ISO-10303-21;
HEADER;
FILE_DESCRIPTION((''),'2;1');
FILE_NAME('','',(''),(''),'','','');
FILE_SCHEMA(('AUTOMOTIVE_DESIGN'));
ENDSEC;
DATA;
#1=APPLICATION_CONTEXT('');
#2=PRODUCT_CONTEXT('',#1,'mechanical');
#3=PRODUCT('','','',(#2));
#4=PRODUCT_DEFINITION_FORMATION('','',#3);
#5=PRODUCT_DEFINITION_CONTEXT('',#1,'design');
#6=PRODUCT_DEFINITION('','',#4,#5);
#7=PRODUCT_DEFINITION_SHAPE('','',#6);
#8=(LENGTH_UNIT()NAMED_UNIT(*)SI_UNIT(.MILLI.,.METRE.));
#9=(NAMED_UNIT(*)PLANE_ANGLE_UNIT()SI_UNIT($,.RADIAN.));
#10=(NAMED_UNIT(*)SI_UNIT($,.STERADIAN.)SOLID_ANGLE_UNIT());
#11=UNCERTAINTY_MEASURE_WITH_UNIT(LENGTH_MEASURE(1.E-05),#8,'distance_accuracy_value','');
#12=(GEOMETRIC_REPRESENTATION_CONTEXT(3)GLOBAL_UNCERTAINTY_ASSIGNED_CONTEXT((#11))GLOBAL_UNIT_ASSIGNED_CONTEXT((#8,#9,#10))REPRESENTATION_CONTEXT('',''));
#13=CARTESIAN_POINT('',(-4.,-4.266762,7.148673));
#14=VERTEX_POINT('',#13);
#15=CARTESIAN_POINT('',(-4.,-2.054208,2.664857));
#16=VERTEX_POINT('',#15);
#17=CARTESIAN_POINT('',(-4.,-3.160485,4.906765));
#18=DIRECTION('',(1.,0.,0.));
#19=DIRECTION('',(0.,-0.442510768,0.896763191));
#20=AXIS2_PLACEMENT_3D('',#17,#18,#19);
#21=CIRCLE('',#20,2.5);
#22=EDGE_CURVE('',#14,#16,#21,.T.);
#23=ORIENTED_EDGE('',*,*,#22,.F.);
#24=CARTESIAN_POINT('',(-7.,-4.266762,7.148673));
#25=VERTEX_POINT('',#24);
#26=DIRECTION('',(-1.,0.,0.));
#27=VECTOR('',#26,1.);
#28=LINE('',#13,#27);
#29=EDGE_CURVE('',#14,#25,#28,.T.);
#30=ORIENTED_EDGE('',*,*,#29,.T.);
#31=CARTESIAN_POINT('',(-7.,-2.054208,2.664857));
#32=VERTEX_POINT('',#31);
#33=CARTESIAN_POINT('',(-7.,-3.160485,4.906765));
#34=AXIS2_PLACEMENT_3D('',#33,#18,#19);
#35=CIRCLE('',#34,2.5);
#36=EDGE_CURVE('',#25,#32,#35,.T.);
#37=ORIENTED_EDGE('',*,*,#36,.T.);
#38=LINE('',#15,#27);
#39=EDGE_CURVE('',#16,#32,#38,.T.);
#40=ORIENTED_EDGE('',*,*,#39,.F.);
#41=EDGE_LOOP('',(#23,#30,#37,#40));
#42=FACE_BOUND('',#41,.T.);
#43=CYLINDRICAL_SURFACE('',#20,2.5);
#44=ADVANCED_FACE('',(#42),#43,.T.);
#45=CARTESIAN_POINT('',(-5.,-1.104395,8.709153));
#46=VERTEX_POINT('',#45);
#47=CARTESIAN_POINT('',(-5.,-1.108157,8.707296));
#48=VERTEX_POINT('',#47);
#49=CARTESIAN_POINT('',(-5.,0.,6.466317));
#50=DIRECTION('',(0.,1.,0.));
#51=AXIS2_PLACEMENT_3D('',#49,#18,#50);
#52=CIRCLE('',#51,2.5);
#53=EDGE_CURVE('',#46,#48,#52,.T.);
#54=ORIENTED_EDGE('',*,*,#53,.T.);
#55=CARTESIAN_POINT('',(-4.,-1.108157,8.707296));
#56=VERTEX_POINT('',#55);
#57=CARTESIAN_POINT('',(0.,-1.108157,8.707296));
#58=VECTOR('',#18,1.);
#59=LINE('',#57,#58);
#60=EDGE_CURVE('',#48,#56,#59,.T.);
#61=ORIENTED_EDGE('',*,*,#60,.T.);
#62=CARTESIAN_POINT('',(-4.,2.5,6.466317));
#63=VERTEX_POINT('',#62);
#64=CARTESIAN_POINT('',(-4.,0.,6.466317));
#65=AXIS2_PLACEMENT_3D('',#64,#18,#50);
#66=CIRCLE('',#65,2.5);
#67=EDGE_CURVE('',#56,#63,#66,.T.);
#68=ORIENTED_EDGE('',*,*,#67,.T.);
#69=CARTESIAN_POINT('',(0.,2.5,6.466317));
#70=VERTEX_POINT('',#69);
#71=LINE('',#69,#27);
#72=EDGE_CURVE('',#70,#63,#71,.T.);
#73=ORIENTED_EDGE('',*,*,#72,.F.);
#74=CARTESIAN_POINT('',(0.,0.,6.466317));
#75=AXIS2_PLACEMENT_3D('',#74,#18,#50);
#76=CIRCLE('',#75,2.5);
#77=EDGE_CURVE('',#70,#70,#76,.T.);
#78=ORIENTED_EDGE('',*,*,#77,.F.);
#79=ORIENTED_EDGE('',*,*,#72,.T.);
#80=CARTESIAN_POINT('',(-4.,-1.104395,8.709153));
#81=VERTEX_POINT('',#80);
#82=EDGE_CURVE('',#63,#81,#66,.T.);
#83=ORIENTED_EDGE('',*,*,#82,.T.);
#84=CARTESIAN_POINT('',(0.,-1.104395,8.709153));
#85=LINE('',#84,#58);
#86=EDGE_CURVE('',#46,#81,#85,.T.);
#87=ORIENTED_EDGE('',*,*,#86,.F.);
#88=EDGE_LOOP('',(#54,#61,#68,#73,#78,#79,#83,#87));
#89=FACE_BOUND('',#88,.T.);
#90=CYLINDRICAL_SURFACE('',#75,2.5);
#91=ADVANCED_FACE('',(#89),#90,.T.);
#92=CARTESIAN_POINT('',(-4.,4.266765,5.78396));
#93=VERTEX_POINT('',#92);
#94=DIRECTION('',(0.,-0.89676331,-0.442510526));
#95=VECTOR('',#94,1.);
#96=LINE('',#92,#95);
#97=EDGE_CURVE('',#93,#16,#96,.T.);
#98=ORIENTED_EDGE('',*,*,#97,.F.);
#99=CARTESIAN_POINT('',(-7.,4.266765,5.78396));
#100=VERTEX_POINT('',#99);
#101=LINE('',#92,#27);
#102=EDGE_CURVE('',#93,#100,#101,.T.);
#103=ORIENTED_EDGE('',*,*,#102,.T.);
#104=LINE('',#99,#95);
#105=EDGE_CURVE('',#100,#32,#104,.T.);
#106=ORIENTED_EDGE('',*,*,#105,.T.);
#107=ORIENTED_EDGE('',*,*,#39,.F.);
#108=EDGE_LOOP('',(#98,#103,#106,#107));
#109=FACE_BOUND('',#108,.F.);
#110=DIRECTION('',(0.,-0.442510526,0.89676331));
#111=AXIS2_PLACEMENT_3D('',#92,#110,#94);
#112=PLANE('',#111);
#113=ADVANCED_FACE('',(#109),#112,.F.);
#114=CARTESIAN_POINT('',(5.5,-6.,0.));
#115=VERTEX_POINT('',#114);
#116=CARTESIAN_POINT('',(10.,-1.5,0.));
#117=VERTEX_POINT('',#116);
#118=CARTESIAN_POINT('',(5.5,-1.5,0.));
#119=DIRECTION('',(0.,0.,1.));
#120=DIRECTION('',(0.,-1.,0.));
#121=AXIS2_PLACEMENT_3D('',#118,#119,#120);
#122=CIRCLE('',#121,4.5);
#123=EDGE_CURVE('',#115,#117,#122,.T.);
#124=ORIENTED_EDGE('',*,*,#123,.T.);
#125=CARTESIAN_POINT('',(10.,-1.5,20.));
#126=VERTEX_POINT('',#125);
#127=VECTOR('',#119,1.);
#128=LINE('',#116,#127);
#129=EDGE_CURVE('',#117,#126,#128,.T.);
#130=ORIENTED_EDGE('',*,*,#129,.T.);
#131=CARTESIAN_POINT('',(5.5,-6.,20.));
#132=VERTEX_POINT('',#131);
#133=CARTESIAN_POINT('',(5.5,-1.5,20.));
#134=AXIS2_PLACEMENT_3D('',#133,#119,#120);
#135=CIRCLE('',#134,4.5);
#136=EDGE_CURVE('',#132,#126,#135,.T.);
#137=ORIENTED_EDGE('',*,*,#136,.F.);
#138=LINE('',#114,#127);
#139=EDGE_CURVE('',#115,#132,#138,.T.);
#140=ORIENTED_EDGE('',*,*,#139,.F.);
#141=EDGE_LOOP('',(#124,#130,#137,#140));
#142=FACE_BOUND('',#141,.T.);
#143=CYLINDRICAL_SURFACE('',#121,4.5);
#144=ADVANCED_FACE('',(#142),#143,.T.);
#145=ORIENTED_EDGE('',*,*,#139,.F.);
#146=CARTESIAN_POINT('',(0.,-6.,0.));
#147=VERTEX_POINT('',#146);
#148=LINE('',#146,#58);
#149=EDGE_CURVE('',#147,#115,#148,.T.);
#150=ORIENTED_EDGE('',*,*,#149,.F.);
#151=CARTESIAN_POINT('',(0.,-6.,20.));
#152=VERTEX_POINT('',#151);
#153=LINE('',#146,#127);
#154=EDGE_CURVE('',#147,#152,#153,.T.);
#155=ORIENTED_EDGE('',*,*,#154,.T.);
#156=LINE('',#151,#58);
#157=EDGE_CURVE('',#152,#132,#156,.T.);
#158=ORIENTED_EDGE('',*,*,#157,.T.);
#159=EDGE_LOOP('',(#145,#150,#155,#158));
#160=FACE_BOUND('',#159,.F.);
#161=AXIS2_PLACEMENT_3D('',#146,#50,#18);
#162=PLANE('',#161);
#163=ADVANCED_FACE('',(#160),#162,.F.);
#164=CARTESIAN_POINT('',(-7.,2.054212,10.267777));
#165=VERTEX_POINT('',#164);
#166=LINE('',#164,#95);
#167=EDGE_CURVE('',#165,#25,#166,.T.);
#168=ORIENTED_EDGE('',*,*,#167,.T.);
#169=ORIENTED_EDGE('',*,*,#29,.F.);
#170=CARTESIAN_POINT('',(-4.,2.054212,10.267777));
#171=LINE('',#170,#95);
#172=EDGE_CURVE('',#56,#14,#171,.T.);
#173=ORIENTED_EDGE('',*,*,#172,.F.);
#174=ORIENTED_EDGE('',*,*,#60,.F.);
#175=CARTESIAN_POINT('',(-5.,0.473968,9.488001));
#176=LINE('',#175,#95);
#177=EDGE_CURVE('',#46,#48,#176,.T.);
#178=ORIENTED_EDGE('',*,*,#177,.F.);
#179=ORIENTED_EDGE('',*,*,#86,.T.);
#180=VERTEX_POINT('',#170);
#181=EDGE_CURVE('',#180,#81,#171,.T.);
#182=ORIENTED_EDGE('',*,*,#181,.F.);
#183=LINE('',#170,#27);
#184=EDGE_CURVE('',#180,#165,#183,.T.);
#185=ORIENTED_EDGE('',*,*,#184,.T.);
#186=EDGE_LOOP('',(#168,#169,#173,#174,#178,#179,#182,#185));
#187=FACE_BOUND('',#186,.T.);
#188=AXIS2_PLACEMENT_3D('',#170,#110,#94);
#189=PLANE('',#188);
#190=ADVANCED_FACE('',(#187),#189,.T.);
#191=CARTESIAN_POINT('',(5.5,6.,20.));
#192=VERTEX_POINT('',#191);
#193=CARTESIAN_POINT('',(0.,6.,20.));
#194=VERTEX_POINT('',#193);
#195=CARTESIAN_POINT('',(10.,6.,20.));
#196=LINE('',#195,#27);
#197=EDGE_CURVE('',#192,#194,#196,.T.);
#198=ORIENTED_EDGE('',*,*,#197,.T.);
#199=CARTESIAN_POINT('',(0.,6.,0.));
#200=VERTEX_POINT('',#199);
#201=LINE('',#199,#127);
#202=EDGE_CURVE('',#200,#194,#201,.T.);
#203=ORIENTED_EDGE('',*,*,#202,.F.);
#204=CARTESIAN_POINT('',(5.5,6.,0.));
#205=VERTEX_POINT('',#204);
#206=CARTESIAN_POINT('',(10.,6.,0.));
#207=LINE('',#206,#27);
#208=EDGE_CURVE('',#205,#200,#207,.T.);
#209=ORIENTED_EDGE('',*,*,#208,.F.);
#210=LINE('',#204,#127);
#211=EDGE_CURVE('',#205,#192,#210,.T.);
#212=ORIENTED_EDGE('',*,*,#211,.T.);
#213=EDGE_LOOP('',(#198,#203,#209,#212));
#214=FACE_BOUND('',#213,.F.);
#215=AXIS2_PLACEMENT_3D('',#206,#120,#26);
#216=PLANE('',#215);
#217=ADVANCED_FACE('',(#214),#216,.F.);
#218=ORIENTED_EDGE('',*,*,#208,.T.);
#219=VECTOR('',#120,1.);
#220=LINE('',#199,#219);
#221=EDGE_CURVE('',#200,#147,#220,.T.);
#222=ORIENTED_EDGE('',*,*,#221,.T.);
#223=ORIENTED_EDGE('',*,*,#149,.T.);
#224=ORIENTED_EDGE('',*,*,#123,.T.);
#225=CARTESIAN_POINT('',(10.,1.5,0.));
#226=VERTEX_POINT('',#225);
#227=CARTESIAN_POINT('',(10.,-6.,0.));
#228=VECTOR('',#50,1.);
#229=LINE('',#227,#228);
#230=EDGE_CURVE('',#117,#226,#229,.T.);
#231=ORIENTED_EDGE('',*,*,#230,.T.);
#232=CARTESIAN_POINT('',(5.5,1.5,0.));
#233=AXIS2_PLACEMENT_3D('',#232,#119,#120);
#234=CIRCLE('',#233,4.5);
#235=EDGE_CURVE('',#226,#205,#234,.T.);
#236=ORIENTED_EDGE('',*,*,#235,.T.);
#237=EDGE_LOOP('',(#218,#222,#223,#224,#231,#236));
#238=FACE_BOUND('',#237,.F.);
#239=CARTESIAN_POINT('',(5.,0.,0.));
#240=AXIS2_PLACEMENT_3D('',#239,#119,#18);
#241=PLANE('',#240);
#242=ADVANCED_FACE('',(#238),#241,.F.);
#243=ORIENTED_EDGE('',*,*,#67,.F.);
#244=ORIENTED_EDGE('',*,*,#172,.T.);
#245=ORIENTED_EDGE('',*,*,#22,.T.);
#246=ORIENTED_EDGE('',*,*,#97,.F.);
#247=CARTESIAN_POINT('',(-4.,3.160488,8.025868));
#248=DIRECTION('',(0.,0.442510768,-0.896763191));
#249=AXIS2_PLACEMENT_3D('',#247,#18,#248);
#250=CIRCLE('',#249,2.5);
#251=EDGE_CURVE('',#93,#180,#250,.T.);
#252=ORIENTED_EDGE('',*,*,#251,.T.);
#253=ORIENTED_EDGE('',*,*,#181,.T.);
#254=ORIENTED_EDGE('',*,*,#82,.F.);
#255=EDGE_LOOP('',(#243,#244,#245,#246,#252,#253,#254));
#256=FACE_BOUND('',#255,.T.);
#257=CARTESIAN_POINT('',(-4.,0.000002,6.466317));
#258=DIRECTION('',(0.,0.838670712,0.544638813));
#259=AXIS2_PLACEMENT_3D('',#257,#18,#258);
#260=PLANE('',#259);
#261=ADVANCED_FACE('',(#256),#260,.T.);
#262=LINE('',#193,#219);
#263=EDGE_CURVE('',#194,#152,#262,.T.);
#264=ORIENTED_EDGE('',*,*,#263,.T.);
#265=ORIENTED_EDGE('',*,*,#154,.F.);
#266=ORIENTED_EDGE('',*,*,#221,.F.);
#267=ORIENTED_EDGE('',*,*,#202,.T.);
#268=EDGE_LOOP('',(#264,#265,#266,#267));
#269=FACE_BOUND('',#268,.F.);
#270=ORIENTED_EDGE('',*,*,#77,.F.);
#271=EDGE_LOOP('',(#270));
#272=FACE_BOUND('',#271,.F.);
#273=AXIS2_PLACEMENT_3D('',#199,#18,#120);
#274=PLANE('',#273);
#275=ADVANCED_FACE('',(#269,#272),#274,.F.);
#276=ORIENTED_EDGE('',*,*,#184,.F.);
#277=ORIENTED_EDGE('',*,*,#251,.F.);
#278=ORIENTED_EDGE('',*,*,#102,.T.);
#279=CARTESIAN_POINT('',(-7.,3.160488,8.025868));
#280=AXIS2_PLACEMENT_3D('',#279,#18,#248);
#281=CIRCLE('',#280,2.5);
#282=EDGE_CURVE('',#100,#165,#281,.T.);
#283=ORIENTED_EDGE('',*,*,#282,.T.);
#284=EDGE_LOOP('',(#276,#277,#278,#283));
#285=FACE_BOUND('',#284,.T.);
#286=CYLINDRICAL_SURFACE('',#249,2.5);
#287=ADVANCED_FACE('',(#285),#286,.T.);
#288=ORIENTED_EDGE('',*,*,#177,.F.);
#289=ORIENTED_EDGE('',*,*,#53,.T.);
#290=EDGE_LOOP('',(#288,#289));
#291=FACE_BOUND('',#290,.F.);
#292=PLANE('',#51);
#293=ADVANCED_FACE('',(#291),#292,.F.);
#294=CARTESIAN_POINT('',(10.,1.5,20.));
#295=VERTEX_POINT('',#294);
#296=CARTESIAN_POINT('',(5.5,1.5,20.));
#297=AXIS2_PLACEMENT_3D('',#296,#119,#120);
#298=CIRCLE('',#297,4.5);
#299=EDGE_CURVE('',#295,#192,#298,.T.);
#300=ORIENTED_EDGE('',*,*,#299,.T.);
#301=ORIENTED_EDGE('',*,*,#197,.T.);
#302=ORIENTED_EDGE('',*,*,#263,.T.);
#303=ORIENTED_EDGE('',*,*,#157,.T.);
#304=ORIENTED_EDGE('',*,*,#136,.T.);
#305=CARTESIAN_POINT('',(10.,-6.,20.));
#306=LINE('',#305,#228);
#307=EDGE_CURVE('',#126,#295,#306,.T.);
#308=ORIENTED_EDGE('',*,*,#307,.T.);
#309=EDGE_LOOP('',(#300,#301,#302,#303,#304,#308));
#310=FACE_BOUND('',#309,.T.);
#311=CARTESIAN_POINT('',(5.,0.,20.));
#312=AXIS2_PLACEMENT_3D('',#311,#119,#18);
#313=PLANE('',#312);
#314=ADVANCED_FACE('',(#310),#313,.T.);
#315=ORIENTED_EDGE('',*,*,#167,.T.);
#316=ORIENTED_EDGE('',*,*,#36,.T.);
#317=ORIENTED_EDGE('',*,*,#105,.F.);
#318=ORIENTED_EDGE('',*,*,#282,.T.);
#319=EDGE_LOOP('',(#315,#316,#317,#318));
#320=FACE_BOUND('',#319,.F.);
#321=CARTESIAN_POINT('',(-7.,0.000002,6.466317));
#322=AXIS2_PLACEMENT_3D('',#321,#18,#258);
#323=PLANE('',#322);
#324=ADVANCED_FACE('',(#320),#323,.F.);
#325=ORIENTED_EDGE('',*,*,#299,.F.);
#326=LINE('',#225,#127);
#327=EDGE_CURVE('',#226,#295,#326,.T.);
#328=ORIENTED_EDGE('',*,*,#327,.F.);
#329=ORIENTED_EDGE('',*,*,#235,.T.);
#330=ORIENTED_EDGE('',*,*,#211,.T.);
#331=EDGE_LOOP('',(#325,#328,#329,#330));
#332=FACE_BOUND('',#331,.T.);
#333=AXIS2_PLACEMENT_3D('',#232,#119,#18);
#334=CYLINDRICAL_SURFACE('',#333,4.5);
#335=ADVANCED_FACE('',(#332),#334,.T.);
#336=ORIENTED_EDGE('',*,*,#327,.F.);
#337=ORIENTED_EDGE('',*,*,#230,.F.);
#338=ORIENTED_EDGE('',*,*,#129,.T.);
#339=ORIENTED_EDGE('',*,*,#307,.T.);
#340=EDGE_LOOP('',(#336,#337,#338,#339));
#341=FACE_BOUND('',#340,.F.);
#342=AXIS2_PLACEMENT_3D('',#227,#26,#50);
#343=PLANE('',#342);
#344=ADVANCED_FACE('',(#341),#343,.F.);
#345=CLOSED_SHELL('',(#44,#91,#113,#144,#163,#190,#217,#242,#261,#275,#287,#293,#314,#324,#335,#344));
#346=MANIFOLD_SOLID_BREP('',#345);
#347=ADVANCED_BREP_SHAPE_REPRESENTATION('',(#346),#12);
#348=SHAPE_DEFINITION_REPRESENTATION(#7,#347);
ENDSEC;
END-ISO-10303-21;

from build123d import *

# Parameters (mm, degrees)
PAD_DEPTH    = 20
FILLET_R     = 4.5
SKETCH001_R  = 2.5
PAD001_DEPTH = 5
PAD002_DEPTH = 3


with BuildPart() as part:
    # Sketch → Pad (new body)
    with BuildSketch(Plane.XY):
        Polygon((0, -2.5), (0, -6), (10, -6), (10, 6), (0, 6), (0, 2.5), align=None)
    extrude(amount=PAD_DEPTH)

    # Fillet
    fillet_edges = [part.edges().sort_by_distance(p)[0] for p in [
        (10, -6, 10),
        (10, 6, 10),
    ]]
    fillet(fillet_edges, radius=FILLET_R)

    # Sketch001 → Pad001 (join)
    with BuildSketch(Plane.YZ):
        with Locations((0, 6.466317)):
            Circle(SKETCH001_R)
    extrude(amount=-PAD001_DEPTH)

    # Sketch002 → Pad002 (join)
    with BuildSketch(Plane(origin=(-4, 0, 0), x_dir=(0, 0.838671, 0.544639), z_dir=(1, 0, 0))):
        with BuildLine():
            ThreePointArc((6.72858, 2.526992), (9.504552, 4.716507), (7.315037, 7.49248))
            Line((7.315037, 7.49248), (0.315037, 8.319227))
            ThreePointArc((0.315037, 8.319227), (-2.460935, 6.129712), (-0.27142, 3.353739))
            Line((6.72858, 2.526992), (-0.27142, 3.353739))
        make_face()
    extrude(amount=-PAD002_DEPTH)


solid = part.part
